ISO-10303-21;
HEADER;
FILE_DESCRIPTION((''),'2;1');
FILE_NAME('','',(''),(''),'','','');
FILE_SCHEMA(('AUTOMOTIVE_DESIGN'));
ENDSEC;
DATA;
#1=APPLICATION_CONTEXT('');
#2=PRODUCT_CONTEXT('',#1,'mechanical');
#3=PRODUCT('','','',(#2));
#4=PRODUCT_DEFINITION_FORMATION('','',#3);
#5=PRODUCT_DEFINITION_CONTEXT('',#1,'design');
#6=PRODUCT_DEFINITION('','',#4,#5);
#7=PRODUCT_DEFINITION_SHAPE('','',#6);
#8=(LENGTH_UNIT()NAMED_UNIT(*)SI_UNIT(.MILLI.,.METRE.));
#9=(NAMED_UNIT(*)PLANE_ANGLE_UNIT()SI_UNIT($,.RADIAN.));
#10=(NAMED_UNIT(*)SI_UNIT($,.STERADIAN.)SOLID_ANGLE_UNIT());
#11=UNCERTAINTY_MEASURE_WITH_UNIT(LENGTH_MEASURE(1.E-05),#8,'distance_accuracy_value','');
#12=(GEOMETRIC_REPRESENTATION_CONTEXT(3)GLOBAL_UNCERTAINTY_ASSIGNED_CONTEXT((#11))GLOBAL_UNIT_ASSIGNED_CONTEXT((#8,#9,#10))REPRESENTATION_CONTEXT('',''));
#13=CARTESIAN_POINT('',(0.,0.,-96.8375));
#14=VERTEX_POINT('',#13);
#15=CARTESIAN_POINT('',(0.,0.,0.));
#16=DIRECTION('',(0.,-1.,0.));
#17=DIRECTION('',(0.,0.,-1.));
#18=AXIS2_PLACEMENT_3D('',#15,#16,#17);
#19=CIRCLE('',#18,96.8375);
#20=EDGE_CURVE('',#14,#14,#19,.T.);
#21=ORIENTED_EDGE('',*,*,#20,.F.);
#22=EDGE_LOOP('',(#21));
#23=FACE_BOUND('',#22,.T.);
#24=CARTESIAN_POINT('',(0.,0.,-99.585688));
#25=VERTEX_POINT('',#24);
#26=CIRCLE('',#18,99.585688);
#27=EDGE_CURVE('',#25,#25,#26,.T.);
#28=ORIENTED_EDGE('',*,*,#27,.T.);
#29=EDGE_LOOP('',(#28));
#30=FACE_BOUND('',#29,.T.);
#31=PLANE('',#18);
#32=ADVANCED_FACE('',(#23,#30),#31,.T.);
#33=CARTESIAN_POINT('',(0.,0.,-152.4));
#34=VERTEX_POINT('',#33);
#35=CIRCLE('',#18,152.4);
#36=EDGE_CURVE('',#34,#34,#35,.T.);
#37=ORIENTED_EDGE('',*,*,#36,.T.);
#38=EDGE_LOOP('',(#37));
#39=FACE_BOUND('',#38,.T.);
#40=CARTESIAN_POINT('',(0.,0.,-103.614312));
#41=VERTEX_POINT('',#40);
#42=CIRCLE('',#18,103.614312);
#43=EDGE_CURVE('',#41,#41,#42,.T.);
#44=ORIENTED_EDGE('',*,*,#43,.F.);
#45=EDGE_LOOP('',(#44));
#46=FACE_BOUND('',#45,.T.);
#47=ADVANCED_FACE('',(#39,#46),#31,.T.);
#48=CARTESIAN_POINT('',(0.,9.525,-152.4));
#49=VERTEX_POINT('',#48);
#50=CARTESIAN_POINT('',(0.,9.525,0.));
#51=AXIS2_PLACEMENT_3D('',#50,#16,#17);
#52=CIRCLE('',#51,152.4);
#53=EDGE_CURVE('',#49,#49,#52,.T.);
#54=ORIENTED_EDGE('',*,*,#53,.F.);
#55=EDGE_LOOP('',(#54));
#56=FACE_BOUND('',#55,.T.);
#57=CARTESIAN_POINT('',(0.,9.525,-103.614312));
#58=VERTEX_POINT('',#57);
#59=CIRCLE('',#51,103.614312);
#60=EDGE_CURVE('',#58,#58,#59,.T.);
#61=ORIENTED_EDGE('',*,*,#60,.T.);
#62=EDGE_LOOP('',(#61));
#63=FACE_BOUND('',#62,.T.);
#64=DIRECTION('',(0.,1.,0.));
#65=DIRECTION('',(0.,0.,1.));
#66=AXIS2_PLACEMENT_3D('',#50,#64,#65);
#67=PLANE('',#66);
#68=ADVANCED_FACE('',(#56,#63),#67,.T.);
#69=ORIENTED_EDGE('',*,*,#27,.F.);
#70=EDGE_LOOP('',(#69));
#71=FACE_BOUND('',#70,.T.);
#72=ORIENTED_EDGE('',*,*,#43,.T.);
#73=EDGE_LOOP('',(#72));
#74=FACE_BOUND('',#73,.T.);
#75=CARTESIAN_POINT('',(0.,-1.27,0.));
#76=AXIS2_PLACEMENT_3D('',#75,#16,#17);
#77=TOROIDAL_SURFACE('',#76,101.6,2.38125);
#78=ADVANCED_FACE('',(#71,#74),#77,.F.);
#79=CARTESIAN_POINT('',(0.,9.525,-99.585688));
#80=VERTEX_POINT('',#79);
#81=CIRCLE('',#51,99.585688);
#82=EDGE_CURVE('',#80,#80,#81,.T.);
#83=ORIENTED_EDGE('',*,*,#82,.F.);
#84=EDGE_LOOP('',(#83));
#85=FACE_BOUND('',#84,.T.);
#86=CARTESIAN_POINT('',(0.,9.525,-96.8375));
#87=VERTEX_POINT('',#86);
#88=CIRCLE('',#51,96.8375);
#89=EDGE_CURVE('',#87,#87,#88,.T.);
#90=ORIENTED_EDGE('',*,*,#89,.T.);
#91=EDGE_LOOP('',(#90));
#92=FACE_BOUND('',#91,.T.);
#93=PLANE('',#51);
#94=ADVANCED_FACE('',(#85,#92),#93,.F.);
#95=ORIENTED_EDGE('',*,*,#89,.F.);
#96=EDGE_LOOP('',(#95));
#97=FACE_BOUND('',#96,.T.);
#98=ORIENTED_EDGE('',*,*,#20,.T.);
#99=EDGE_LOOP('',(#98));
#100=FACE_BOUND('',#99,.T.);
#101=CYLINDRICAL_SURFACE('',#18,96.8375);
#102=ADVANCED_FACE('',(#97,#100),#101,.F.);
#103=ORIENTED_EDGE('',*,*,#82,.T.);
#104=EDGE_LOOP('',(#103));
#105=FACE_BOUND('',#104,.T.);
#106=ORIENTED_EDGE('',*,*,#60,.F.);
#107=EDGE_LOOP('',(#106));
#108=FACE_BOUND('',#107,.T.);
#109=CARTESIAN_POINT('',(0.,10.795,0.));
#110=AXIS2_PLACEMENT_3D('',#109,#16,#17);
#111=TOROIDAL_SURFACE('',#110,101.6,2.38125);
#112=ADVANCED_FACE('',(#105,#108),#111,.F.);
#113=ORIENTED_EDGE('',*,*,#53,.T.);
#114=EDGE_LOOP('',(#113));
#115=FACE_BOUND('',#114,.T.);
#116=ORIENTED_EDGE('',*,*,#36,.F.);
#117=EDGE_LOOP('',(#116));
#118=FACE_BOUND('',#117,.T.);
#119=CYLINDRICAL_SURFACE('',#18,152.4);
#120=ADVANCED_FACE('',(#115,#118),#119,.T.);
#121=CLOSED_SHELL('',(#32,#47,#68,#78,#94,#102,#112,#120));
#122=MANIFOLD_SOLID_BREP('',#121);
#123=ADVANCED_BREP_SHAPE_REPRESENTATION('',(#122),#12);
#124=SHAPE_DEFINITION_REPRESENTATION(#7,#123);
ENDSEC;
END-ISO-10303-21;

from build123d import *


with BuildPart() as part:
    # Sketch1 → Revolve1 (revolve)
    with BuildSketch(Plane.XY, mode=Mode.PRIVATE) as revolve1_sk:
        with BuildLine():
            Line((-96.8375, 0), (-99.585688315, 0))
            ThreePointArc((-99.585688315, 0), (-101.6, 1.11125), (-103.614311685, 0))
            Line((-103.614311685, 0), (-152.4, 0))
            Line((-152.4, 0), (-152.4, 9.525))
            Line((-152.4, 9.525), (-103.614311685, 9.525))
            ThreePointArc((-103.614311685, 9.525), (-101.6, 8.41375), (-99.585688315, 9.525))
            Line((-99.585688315, 9.525), (-96.8375, 9.525))
            Line((-96.8375, 9.525), (-96.8375, 0))
        make_face()
    revolve(revolve1_sk.sketch.rotate(Axis((0, 0, 0), (0, 1, 0)), 270), axis=Axis((0, 0, 0), (0, 1, 0)))


solid = part.part
